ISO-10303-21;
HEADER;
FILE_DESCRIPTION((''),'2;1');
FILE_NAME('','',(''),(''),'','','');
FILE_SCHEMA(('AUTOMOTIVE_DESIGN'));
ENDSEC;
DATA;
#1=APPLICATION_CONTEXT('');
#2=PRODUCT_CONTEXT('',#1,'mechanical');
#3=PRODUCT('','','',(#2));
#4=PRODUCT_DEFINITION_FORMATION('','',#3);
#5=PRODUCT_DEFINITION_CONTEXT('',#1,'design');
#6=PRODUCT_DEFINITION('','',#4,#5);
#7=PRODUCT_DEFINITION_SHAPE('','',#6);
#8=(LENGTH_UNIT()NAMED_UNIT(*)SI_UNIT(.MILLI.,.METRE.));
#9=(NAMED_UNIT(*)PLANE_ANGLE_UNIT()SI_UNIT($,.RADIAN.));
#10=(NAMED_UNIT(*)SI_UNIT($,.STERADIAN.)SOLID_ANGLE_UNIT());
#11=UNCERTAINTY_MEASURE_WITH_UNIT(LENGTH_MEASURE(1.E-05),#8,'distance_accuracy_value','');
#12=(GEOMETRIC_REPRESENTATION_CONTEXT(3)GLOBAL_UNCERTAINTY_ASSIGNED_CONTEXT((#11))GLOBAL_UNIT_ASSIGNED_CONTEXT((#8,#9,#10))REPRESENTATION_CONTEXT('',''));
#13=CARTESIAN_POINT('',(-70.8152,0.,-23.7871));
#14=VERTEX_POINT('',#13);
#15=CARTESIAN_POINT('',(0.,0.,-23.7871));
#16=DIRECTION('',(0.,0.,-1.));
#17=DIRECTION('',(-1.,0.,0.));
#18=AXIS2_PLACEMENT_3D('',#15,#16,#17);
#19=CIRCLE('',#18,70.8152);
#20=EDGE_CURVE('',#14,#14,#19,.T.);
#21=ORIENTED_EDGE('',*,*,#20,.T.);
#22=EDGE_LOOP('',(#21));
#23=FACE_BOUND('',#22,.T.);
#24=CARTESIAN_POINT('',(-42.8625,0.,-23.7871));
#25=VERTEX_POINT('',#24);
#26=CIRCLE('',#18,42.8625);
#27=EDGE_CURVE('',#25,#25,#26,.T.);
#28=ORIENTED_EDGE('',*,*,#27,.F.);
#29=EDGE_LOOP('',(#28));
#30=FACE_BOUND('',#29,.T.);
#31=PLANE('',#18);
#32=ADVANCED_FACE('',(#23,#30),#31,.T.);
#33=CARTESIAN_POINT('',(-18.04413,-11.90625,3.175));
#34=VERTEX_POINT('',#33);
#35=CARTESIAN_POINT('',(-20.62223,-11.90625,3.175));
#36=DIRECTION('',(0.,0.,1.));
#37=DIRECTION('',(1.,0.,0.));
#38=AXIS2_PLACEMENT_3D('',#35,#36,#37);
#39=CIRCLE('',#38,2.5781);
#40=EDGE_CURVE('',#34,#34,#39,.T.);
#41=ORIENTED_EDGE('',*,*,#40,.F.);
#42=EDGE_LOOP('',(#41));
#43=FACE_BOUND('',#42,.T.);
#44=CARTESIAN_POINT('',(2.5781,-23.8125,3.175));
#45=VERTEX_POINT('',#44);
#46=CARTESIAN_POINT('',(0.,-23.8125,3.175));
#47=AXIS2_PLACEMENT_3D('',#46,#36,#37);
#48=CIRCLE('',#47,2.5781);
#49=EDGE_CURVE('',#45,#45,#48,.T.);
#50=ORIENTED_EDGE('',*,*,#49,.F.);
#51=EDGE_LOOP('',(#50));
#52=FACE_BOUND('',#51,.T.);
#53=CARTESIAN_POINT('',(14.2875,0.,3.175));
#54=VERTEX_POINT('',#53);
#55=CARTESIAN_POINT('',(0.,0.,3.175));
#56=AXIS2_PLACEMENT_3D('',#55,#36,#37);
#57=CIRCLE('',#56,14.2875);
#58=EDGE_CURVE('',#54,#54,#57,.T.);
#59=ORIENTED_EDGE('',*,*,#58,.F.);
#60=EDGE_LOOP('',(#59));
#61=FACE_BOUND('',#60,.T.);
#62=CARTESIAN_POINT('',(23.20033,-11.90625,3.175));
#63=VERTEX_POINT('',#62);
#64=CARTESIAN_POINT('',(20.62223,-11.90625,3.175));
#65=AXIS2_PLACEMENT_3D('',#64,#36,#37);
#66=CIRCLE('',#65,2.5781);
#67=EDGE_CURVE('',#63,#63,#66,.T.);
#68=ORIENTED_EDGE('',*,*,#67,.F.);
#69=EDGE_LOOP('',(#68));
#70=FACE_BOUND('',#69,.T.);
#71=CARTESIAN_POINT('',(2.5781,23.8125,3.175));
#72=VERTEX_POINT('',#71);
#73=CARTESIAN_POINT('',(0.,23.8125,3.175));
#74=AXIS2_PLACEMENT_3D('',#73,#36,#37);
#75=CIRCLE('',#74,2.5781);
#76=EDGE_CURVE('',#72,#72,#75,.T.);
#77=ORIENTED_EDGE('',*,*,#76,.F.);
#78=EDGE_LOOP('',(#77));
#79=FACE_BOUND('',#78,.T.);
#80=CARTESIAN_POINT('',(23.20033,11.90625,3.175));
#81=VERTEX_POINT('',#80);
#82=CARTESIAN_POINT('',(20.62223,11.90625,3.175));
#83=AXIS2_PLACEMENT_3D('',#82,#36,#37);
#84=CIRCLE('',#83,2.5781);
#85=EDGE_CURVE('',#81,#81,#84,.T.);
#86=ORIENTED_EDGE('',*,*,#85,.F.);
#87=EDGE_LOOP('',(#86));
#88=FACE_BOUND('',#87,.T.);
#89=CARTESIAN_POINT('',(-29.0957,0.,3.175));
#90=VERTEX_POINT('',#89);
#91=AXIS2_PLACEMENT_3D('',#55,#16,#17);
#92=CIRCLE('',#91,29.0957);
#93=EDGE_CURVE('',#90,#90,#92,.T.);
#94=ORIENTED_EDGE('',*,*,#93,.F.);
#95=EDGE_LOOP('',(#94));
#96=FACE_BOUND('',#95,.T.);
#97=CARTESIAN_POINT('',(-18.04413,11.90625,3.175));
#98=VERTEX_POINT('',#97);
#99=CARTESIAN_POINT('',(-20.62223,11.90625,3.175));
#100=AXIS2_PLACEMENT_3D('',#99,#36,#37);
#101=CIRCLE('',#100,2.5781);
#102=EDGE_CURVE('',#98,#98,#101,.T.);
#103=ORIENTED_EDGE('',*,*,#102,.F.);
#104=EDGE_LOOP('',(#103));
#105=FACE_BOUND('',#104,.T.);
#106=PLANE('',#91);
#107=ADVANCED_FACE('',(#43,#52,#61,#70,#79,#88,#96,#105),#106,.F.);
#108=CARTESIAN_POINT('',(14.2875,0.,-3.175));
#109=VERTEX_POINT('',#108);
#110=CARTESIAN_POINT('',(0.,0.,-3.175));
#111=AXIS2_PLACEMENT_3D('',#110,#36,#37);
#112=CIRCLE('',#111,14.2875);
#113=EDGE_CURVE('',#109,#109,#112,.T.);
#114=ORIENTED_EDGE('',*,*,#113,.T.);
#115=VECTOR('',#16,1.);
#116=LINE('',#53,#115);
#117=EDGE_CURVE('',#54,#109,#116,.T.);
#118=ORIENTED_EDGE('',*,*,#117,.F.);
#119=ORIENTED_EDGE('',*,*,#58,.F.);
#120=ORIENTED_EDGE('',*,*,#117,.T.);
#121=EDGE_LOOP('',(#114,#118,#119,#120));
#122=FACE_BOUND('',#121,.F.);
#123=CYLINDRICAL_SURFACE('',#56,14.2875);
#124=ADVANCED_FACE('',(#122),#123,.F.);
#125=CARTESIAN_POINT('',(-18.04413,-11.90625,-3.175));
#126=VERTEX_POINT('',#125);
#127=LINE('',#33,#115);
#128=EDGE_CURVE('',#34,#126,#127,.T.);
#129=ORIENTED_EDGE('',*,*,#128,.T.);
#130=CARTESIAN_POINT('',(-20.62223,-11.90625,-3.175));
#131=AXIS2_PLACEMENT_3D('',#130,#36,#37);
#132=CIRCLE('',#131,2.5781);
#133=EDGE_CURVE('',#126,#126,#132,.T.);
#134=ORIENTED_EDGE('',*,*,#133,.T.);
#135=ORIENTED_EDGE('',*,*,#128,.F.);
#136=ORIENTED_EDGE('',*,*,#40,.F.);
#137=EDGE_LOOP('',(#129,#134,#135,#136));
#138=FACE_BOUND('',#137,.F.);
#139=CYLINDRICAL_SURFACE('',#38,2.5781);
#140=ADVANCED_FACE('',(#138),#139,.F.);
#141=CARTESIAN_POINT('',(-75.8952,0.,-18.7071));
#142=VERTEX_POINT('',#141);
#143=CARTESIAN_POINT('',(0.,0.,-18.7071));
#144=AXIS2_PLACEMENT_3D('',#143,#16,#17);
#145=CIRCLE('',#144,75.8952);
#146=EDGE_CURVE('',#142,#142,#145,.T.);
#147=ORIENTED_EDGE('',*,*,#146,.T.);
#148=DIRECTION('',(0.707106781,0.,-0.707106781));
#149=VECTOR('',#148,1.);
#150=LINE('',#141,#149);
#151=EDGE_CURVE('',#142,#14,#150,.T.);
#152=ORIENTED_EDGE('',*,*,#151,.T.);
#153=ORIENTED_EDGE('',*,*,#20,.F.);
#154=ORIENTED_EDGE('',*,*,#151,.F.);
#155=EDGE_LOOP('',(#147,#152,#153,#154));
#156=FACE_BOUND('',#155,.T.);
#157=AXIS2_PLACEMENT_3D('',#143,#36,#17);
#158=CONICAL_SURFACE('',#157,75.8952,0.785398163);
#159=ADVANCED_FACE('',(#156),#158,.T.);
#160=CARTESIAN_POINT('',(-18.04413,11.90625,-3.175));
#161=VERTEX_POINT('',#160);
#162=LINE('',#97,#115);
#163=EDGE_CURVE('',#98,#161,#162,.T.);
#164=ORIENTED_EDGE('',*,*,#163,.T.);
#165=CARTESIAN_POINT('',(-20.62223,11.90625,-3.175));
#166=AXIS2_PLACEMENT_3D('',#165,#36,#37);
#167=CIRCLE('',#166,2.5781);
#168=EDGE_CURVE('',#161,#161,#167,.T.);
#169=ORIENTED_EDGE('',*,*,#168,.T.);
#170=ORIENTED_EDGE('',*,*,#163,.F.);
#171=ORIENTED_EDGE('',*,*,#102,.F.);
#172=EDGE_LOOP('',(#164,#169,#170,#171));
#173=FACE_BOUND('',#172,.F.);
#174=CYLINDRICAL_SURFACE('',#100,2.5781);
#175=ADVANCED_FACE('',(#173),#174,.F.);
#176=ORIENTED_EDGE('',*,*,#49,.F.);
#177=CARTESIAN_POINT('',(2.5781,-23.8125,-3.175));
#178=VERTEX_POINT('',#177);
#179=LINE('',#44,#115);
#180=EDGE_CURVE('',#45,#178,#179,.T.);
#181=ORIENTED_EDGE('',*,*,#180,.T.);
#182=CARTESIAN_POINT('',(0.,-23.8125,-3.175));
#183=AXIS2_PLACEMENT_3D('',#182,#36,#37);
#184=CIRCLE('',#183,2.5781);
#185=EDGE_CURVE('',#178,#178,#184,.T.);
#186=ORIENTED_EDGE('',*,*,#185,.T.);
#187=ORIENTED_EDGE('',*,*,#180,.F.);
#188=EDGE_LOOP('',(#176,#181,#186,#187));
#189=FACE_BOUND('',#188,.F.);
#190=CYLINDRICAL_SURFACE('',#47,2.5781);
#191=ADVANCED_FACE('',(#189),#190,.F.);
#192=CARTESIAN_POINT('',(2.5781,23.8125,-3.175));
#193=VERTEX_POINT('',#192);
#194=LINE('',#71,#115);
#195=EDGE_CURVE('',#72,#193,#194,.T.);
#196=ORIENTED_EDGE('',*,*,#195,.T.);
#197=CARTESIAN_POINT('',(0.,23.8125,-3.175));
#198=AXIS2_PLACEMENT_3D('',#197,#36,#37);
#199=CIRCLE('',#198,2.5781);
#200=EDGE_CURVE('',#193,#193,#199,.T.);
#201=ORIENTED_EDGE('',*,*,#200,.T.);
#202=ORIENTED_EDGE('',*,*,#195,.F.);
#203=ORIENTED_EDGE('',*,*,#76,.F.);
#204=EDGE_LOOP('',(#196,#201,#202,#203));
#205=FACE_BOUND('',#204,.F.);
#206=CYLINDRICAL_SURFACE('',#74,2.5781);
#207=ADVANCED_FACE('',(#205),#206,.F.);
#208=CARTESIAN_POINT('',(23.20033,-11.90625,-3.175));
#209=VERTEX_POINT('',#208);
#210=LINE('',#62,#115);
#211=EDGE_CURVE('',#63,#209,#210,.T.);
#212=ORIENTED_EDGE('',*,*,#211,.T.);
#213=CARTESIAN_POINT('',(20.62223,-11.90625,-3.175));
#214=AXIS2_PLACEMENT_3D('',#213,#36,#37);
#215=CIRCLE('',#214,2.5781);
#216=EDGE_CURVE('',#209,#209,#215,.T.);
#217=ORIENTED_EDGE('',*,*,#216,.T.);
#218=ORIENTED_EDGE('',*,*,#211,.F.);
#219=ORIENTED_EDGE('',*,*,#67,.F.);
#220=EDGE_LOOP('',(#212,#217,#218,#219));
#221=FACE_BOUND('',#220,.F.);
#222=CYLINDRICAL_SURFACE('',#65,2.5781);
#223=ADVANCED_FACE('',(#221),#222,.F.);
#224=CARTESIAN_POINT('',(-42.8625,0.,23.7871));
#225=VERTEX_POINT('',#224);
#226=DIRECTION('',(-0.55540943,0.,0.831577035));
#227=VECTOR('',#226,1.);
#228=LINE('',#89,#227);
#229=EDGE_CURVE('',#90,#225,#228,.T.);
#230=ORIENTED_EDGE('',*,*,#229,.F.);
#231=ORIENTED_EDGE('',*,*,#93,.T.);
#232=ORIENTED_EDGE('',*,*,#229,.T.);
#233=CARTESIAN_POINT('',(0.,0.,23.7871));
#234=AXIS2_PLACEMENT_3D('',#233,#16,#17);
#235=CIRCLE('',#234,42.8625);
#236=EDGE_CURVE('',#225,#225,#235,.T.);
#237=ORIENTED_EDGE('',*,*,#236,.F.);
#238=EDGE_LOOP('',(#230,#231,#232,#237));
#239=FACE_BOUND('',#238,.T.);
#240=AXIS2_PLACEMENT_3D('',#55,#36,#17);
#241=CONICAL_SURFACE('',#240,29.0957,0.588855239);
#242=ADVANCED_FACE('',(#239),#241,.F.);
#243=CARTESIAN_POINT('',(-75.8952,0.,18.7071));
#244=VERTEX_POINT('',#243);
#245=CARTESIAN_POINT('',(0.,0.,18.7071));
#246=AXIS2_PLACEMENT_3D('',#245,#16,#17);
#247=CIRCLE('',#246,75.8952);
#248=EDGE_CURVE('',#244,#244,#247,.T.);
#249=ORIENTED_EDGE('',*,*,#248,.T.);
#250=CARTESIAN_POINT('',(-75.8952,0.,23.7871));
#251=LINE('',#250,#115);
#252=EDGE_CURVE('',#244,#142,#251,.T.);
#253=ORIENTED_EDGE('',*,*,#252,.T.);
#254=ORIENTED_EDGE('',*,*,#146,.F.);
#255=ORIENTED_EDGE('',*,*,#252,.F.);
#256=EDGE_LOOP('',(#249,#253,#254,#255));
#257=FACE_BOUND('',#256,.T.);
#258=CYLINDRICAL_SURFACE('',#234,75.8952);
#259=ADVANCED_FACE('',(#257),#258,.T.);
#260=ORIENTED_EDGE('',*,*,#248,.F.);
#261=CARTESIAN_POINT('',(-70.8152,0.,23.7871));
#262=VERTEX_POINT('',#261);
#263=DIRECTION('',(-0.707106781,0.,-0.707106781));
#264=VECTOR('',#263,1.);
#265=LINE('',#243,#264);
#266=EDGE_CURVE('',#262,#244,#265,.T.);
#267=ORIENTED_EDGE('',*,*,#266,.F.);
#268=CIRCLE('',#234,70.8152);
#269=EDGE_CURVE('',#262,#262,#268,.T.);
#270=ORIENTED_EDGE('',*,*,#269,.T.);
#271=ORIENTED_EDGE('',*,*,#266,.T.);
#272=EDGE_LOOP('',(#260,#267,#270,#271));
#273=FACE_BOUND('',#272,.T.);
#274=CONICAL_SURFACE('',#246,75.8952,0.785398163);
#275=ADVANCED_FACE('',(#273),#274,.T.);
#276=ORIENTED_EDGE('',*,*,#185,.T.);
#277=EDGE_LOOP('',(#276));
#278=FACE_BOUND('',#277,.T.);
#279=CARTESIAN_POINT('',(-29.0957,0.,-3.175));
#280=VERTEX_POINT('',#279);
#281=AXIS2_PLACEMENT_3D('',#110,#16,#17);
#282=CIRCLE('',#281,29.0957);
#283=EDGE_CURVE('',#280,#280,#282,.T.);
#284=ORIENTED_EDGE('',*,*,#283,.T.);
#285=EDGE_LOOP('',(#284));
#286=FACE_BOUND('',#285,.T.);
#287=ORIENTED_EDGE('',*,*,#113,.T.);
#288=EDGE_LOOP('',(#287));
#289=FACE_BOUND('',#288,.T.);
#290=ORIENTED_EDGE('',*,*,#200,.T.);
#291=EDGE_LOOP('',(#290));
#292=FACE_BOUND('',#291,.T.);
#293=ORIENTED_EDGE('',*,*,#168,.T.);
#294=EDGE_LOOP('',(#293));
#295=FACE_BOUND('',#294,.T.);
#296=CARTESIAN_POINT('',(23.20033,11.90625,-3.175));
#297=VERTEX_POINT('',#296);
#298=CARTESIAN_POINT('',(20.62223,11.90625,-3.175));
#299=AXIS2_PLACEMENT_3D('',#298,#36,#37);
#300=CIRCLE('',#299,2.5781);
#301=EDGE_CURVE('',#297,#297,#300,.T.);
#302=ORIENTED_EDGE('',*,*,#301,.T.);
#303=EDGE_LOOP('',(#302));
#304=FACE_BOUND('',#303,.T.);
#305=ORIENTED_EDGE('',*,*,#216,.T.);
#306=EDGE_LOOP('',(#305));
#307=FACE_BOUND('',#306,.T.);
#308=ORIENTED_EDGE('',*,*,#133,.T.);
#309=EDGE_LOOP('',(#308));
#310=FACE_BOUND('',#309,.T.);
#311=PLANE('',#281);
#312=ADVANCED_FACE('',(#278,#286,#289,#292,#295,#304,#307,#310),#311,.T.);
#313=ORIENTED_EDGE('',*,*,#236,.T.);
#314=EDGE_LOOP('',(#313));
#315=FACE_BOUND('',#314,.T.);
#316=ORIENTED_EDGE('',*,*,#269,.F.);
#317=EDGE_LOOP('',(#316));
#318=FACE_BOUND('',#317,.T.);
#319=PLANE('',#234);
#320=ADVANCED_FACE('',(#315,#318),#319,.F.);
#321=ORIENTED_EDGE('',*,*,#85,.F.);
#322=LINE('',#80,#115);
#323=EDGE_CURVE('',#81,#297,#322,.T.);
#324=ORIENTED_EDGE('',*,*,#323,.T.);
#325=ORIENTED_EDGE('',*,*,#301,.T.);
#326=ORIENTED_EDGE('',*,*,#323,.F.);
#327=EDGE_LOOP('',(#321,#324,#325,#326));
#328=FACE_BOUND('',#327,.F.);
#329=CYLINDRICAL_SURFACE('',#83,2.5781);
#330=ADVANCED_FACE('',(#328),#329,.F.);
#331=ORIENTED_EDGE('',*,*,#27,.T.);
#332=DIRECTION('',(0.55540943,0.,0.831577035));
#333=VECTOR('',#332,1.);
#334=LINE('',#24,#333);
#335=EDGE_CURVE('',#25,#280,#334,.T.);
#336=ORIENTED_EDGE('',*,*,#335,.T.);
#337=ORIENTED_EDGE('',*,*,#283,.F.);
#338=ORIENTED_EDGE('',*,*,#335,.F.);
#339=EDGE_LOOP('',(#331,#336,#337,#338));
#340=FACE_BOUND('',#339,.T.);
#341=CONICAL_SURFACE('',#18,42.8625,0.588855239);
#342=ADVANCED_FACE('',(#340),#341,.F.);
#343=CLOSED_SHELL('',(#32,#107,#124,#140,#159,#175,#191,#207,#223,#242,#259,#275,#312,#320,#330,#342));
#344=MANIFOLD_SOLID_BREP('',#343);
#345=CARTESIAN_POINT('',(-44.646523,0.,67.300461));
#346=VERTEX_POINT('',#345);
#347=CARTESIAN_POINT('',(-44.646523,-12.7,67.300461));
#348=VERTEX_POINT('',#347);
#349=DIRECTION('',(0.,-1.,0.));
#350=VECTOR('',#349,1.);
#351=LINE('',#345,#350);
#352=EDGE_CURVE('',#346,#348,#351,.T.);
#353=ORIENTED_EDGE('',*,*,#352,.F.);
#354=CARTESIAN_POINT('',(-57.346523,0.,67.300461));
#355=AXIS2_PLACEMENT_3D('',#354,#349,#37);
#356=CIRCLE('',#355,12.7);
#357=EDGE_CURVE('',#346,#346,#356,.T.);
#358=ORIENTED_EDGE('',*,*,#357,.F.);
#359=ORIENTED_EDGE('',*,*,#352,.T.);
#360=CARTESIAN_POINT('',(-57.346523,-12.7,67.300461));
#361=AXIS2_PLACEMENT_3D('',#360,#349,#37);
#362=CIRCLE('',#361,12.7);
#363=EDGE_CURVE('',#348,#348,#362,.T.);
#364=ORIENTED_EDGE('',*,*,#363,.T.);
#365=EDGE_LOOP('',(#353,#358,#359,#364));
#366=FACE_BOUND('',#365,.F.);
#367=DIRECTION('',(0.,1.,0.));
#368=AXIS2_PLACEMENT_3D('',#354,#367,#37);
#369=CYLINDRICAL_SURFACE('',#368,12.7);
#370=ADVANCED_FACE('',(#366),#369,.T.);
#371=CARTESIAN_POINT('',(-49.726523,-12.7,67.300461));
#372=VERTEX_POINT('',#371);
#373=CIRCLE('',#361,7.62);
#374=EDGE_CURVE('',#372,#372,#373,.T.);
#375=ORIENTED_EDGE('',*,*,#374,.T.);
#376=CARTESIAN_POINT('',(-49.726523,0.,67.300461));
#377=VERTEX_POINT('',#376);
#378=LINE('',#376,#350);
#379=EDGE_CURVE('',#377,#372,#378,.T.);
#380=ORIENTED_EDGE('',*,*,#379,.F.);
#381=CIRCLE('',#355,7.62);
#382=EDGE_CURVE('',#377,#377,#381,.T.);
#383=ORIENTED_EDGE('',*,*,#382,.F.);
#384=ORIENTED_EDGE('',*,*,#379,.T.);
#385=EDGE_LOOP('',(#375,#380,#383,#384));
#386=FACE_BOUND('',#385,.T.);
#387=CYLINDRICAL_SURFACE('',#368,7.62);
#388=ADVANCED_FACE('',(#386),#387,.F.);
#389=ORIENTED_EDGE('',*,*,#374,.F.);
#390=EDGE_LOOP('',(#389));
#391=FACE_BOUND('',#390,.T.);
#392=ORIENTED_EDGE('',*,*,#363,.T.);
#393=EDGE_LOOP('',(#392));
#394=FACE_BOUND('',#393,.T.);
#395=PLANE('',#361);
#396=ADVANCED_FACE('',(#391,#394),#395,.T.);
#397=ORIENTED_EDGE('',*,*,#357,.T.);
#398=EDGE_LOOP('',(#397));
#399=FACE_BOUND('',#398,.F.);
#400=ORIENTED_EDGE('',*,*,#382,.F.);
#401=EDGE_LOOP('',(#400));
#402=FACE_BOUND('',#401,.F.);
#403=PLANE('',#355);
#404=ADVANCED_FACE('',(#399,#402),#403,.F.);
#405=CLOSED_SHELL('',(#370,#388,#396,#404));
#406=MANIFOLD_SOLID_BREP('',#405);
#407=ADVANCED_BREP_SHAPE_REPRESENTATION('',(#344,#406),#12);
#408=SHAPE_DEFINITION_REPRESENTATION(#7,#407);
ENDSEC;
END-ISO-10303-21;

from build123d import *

# Parameters (mm, degrees)
F2_R     = 2.5781
F2_R_2   = 14.2875
F3_DEPTH = 26.9631
F4_SIZE  = 5.08
F5_R     = 12.7
F5_R_2   = 7.62
F6_DEPTH = 12.7


with BuildPart() as f1:
    # F0 (on Front) → F1 (revolve)
    with BuildSketch(Plane.XZ):
        Polygon((-42.8625, 23.7871), (-75.8952, 23.7871), (-75.8952, -23.7871), (-42.8625, -23.7871), (-29.0957, -3.175), (0, -3.175), (0, 3.175), (-29.0957, 3.175), align=None)
    revolve(axis=Axis((0, 0, 0), (0, 0, -1)))

    # F2 (on face) → F3 (cut, through all)
    with BuildSketch(Plane.XY.offset(3.175)):
        with Locations((-20.62223, 11.90625)):
            Circle(F2_R)
        with Locations((-20.62223, -11.90625)):
            Circle(F2_R)
        Circle(F2_R_2)
        with Locations((20.62223, 11.90625)):
            Circle(F2_R)
        with Locations((0, 23.8125)):
            Circle(F2_R)
        with Locations((0, -23.8125)):
            Circle(F2_R)
        with Locations((20.62223, -11.90625)):
            Circle(F2_R)
    extrude(amount=-F3_DEPTH, mode=Mode.SUBTRACT)

    # F4
    f4_edges = [f1.edges().sort_by_distance(p)[0] for p in [
        (75.8952, 0, 23.7871),
        (75.8952, 0, -23.7871),
    ]]
    chamfer(f4_edges, length=F4_SIZE)


with BuildPart() as f6:
    # F5 (on Front) → F6 (new body)
    with BuildSketch(Plane.XZ):
        with Locations((-57.346523, 67.300461)):
            Circle(F5_R)
        with Locations((-57.346523, 67.300461)):
            Circle(F5_R_2, mode=Mode.SUBTRACT)
    extrude(amount=F6_DEPTH)


solid = Compound([f1.part, f6.part])
